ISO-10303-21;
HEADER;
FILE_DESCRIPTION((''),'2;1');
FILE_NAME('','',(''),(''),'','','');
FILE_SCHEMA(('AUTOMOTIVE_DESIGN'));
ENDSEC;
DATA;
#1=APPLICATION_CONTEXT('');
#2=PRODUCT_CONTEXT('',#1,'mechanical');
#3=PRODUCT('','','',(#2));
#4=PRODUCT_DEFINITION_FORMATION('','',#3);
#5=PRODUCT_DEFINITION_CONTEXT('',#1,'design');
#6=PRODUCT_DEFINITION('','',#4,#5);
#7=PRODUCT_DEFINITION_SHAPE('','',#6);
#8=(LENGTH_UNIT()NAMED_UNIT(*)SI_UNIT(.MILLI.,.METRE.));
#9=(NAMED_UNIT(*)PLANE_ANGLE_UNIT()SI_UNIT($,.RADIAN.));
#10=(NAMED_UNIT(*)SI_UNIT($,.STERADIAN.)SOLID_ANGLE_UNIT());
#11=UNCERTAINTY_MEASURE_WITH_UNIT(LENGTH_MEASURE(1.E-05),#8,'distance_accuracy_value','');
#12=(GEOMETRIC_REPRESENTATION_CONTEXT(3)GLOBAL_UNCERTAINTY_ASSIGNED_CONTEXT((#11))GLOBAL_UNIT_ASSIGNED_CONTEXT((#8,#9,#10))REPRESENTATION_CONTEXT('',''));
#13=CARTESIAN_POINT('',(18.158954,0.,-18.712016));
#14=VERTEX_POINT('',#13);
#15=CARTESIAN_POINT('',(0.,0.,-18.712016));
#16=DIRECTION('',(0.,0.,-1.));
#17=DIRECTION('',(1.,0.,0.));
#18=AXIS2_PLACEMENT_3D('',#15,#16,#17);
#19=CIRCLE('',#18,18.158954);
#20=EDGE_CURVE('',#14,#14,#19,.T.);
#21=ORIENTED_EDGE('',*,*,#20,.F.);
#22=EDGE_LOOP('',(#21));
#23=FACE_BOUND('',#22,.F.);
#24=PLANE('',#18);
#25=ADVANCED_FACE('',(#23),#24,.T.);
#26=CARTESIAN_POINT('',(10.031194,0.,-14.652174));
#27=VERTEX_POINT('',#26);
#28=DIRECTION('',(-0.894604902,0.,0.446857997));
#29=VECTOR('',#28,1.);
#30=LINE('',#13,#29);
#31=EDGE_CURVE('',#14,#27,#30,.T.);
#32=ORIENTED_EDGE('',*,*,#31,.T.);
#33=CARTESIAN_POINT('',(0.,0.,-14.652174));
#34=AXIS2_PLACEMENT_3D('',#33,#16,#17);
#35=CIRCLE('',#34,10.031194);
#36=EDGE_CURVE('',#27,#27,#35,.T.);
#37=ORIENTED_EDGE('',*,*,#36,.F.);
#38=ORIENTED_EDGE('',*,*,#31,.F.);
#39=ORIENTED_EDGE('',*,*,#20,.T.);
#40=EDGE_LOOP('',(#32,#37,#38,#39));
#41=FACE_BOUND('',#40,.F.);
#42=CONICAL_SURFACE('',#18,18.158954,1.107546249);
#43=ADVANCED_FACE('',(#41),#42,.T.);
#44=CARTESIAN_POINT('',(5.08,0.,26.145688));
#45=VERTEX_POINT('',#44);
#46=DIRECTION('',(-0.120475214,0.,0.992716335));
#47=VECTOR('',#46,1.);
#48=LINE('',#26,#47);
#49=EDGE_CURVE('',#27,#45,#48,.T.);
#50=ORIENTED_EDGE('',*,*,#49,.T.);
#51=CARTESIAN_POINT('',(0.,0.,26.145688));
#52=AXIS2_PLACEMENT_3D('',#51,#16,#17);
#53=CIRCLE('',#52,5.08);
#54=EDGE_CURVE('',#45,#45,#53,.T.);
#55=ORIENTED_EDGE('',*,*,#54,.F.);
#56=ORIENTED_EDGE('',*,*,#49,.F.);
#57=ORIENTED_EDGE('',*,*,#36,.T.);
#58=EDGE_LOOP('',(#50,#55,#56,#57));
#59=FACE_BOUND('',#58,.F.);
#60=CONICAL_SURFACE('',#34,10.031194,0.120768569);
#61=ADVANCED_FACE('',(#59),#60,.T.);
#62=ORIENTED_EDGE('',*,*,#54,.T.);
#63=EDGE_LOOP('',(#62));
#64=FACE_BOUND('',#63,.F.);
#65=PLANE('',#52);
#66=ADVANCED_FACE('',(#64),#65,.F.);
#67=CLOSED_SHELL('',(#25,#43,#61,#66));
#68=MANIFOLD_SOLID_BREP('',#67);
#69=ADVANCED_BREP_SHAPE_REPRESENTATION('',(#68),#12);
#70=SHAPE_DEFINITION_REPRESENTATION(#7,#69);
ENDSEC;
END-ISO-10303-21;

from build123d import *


with BuildPart() as f1:
    # F0 (on Front) → F1 (revolve)
    with BuildSketch(Plane.XZ):
        Polygon((5.08, 26.145688), (0, 26.145688), (0, -13.550081), (10.031194, -14.652174), align=None)
        Polygon((10.031194, -14.652174), (0, -13.550081), (0, -18.712016), (18.158954, -18.712016), align=None)
    revolve(axis=Axis((0, 0, 6.297803), (0, 0, -1)))


solid = f1.part
